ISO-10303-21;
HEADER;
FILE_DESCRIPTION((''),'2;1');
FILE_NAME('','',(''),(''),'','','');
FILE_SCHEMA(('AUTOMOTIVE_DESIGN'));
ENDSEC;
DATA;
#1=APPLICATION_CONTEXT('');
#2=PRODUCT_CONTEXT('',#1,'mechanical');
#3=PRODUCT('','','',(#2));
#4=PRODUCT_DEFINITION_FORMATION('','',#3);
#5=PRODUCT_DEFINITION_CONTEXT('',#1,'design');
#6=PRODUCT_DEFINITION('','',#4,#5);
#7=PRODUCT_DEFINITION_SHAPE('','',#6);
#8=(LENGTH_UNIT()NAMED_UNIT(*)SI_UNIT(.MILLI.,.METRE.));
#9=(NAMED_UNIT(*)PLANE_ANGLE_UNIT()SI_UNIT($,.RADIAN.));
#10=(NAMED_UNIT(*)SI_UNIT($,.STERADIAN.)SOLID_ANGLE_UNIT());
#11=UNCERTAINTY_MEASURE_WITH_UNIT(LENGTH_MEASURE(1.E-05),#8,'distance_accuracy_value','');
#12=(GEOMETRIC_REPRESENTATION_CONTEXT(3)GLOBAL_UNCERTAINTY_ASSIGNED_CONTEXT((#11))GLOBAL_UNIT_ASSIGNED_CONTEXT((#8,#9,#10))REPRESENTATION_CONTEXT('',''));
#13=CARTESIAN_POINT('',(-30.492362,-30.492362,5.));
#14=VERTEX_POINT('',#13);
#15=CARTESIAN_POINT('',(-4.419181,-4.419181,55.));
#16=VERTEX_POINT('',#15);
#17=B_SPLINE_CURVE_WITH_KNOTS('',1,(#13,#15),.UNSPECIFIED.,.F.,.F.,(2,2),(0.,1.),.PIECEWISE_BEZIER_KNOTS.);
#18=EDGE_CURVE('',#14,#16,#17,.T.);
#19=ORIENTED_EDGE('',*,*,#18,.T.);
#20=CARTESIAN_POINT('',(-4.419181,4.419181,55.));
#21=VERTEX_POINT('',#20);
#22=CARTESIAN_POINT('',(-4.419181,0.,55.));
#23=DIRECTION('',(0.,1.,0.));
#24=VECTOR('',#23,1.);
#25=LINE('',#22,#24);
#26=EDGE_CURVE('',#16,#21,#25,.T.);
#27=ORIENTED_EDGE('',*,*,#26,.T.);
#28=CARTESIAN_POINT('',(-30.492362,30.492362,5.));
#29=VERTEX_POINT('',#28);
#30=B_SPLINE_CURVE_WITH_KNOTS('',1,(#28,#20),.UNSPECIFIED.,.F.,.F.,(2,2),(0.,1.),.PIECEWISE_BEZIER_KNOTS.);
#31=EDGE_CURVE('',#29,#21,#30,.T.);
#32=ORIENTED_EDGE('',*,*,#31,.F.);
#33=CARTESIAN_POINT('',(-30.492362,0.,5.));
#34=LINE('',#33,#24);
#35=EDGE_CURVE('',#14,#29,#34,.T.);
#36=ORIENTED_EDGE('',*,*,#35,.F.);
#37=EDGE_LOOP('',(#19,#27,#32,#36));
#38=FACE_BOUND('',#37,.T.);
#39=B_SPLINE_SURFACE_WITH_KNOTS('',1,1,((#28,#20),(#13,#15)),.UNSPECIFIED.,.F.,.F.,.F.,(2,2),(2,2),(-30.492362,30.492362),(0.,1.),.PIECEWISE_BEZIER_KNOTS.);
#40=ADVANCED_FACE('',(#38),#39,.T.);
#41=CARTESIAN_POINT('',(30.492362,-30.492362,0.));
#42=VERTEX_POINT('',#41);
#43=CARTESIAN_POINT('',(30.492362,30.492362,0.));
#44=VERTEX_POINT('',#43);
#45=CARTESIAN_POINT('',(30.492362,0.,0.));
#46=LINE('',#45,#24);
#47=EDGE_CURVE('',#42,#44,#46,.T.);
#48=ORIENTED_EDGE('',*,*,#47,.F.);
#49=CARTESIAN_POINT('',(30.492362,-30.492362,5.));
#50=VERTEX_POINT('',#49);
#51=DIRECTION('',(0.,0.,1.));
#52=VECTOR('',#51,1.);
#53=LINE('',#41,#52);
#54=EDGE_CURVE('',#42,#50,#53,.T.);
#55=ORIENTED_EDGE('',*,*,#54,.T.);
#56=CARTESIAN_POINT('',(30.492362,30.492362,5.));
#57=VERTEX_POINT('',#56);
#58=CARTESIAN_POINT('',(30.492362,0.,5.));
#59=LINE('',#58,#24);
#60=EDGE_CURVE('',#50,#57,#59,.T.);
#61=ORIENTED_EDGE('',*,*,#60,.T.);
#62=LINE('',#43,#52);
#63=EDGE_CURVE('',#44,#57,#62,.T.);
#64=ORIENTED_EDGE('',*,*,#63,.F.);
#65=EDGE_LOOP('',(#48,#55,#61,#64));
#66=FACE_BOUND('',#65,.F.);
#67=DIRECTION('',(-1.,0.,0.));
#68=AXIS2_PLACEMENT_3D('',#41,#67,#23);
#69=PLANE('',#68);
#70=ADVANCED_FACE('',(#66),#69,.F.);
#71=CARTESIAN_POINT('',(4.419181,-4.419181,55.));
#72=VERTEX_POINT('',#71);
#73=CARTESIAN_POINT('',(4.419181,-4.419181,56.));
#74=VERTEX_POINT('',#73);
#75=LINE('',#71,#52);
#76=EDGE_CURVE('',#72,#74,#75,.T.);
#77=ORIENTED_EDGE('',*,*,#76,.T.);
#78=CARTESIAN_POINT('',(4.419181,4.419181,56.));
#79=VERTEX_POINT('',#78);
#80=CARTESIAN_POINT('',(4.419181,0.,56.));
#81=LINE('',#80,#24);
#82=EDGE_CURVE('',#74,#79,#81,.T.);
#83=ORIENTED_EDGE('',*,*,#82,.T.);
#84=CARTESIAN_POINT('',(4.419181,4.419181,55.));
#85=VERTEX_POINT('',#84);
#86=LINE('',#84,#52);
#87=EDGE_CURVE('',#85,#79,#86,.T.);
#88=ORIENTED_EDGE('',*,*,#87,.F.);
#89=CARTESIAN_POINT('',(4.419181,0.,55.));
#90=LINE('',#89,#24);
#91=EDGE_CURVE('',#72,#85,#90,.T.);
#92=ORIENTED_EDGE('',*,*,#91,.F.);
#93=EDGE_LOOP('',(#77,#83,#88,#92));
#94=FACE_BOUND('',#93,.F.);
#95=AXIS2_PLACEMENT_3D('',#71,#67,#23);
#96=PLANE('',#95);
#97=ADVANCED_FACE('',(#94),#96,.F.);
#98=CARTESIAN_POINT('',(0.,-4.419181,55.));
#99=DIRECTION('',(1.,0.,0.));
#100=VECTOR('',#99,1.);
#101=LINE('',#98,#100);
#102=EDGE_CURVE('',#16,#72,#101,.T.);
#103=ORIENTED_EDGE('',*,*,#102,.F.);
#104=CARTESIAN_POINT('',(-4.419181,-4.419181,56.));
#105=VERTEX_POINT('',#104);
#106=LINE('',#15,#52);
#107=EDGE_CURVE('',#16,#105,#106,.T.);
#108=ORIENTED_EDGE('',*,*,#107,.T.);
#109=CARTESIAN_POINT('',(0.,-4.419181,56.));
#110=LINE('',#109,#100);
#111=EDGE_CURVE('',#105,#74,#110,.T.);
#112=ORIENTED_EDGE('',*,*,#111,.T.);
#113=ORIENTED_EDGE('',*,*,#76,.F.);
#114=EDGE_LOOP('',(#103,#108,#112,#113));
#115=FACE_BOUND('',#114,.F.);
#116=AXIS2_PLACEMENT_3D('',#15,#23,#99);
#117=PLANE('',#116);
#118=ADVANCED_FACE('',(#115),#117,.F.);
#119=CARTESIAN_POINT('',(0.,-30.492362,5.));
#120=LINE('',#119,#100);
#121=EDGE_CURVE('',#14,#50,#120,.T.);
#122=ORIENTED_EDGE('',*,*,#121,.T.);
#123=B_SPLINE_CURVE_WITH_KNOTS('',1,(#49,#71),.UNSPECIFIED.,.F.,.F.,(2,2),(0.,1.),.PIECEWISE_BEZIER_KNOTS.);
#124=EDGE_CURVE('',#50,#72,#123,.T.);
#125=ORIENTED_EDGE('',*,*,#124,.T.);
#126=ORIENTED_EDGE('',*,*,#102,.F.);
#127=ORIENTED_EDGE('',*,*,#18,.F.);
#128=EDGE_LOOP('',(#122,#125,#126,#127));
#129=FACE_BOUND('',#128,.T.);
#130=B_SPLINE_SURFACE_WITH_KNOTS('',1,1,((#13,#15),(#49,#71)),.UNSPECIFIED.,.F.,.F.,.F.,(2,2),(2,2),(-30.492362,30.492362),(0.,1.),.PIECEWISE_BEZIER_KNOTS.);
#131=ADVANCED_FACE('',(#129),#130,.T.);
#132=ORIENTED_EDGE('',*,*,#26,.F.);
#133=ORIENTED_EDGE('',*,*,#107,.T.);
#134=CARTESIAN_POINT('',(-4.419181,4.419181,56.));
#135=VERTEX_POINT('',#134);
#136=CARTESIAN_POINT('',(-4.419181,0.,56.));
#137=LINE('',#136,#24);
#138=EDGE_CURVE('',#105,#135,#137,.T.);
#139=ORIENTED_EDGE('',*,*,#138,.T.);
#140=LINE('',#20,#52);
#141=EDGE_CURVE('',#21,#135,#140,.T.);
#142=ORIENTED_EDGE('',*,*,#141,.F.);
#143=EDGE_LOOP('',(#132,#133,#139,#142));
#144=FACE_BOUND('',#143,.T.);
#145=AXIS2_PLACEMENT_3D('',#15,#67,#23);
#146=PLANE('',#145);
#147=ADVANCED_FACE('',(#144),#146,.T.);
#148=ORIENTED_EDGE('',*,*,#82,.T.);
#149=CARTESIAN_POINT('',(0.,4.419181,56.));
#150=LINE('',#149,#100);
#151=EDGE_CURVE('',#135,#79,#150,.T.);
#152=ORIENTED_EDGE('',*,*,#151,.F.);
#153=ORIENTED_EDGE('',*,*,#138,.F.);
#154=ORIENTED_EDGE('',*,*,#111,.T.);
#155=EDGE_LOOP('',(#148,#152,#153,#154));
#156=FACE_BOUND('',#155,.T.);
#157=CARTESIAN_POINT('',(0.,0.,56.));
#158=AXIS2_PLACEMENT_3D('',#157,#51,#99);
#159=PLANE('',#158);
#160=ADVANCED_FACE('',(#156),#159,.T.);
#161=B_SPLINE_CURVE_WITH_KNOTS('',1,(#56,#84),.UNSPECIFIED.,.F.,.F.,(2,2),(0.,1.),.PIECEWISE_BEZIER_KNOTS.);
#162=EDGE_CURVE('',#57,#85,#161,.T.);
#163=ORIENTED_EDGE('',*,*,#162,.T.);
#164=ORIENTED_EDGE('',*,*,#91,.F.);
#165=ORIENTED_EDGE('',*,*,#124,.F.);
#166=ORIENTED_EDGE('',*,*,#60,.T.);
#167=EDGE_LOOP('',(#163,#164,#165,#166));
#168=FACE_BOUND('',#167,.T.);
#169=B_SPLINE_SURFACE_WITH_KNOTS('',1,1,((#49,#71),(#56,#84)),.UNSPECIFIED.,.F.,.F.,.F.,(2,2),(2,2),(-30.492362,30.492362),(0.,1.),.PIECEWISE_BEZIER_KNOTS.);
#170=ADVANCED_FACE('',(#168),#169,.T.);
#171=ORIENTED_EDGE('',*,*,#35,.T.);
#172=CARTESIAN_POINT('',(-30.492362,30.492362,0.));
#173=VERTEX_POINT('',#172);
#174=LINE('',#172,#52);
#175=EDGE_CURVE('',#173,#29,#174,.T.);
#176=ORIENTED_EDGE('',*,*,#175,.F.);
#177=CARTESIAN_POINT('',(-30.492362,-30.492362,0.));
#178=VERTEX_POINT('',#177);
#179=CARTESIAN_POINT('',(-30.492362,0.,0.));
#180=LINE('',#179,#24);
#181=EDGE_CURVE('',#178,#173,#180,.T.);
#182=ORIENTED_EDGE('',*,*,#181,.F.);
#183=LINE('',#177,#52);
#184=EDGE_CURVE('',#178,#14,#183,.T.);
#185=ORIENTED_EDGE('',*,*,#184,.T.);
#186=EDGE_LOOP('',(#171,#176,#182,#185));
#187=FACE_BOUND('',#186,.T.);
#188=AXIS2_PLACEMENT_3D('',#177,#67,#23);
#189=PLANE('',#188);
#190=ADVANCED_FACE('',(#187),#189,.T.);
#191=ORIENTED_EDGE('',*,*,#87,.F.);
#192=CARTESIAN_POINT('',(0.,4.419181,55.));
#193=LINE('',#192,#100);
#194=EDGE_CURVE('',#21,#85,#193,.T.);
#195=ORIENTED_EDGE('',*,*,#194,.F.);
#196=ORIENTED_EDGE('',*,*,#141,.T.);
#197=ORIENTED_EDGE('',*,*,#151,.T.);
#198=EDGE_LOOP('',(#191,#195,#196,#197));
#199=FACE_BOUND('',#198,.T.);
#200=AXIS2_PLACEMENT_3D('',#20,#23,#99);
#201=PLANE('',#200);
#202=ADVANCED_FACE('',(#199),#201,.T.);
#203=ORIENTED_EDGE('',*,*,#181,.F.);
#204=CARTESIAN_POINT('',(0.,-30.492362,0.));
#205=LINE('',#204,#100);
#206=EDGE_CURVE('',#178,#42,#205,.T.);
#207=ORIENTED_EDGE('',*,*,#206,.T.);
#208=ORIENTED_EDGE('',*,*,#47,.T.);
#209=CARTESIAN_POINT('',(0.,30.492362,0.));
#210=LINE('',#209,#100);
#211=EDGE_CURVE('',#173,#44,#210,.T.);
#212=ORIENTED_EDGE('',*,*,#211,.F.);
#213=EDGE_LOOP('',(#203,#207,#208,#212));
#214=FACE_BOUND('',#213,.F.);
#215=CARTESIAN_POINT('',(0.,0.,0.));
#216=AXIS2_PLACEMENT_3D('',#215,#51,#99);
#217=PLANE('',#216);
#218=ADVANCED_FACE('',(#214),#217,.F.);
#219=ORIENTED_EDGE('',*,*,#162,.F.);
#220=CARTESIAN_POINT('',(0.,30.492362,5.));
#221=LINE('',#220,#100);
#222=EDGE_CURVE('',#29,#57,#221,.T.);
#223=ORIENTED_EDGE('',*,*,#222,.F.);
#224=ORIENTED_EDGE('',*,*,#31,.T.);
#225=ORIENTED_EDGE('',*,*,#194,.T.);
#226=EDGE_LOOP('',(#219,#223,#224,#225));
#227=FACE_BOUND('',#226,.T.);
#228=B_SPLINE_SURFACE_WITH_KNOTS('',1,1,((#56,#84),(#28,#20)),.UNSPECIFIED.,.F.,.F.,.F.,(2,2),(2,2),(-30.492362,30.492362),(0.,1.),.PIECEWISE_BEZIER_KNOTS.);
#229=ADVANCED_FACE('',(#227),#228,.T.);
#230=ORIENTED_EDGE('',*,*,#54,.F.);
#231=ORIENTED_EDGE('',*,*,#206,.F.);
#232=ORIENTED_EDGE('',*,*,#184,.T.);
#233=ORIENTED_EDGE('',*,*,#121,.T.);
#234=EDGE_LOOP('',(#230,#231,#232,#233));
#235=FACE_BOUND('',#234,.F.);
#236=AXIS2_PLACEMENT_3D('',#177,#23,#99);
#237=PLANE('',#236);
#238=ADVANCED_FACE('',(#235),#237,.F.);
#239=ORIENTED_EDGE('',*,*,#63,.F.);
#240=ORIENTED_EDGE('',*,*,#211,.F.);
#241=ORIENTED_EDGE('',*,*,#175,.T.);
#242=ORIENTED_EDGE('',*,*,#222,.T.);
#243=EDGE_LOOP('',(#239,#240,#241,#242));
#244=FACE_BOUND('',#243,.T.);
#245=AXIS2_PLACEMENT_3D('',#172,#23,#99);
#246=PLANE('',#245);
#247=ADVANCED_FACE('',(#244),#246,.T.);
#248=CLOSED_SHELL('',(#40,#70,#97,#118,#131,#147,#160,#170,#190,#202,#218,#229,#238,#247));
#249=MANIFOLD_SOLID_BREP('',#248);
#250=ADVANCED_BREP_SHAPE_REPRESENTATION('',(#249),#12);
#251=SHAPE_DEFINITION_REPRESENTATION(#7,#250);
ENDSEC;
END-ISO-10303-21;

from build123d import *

# Parameters (mm, degrees)
F0_W      = 60.984724
F0_H      = 60.984724
F1_DEPTH  = 5
F3_W      = 8.838362
F3_H      = 8.838362
F4_DEPTH  = 1
F1_FACE_W = 60.984724
F1_FACE_H = 60.984724
F4_FACE_W = 8.838362
F4_FACE_H = 8.838362


with BuildPart() as f1:
    # F0 (on Top) → F1 (new body)
    with BuildSketch(Plane.XY):
        Rectangle(F0_W, F0_H)
    extrude(amount=F1_DEPTH)



with BuildPart() as f4:
    # F3 (on offset) → F4 (new body)
    with BuildSketch(Plane.XY.offset(55)):
        Rectangle(F3_W, F3_H)
    extrude(amount=F4_DEPTH)


with BuildPart() as f1_1:
    add(f1.part)

    add(f4.part)  # F5 merges F4
    # F1_face (on face) → F5 section 0
    with BuildSketch(Plane.XY.offset(5)):
        Rectangle(F1_FACE_W, F1_FACE_H)
    # F4_face (on face) → F5 section 1
    with BuildSketch(Plane(origin=(0, 0, 55), x_dir=(1, 0, 0), z_dir=(0, 0, -1))):
        Rectangle(F4_FACE_W, F4_FACE_H)
    loft()


solid = f1_1.part
